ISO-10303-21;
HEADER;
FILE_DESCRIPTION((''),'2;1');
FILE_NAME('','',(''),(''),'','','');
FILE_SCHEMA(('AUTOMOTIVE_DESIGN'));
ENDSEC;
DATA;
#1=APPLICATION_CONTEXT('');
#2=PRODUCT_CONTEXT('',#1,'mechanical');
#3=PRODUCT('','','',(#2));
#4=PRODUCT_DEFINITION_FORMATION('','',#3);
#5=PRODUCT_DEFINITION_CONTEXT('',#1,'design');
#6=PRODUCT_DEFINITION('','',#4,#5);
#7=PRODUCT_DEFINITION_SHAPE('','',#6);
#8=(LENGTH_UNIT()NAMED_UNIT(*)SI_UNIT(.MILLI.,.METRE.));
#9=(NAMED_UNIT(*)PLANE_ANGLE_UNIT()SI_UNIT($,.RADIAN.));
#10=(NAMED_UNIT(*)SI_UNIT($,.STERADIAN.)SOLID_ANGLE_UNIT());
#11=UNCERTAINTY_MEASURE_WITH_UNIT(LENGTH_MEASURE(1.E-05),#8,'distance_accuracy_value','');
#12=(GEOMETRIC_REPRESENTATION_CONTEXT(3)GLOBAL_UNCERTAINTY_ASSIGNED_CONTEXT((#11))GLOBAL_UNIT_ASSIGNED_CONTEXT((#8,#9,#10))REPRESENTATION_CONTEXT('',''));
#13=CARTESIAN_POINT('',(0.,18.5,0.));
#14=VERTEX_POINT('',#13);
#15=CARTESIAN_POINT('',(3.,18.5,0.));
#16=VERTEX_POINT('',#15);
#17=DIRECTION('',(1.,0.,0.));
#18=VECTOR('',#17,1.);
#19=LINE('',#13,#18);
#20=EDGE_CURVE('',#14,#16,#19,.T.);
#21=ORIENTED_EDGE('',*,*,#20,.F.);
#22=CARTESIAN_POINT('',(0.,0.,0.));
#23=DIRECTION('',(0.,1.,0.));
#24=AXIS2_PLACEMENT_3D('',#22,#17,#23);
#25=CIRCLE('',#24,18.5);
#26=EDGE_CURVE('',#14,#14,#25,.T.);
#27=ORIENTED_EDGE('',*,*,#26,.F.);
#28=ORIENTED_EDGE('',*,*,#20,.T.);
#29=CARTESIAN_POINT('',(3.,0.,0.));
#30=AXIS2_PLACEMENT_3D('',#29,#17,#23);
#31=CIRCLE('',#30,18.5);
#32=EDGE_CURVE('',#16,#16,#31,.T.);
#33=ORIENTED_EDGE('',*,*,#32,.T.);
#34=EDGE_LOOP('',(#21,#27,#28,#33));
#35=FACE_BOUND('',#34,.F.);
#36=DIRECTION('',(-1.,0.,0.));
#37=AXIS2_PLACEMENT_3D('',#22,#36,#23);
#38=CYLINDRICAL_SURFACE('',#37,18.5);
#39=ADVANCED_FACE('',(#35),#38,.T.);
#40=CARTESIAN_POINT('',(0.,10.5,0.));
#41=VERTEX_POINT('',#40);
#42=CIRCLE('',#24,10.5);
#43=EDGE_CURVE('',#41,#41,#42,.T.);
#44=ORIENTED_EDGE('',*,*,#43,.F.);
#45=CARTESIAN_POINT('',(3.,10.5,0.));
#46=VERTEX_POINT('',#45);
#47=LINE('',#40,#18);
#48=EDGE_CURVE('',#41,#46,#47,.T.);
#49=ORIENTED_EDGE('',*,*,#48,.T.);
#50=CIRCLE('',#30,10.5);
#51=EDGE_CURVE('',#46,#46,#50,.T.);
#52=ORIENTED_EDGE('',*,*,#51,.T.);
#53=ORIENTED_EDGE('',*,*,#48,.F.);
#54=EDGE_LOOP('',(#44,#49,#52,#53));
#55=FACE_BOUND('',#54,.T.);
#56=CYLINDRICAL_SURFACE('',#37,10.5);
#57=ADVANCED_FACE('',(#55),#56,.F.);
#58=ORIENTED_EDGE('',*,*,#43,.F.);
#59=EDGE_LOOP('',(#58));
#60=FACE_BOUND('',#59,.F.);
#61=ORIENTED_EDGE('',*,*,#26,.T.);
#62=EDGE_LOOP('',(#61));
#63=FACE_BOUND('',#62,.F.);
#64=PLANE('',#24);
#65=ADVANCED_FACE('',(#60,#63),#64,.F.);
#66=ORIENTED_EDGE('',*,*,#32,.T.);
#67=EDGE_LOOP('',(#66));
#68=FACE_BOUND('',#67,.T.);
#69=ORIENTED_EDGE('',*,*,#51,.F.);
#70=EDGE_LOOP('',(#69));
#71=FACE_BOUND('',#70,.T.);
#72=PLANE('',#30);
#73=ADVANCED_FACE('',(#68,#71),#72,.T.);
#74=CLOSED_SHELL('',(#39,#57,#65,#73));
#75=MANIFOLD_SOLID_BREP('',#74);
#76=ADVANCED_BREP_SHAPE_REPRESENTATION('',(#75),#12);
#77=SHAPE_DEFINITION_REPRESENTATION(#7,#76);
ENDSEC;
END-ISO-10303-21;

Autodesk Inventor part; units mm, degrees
ref_plane "YZ Plane" through (0, 0, 0) normal (1, 0, 0) x (0, 1, 0)
ref_plane "XZ Plane" through (0, 0, 0) normal (0, 1, 0) x (-1, 0, 0)
sketch "Sketch" plane through (0, 0, 0) normal (1, 0, 0) x (0, 1, 0)
  circle A0 centre (0, 0) radius 18.5
  circle A1 centre (0, 0) radius 10.5
  dimension "d0" = 21
  dimension "d1" = 37
extrude "Body" add sketch "Sketch" along normal blind 3
ref_plane "Work Plane1" through (0, 0, 0) normal (0, 0, 1) x (1, 0, 0)
equation "\"d0\" = SD1"
equation "\"d1\" = SD2"
equation "\"d2\" = SD"
equation "\"SD1\" = 21"
equation "\"SD2\" = 37"
equation "\"SD\" = 3"
properties part number "ISO 7089 - 20" material "Stainless Steel"
